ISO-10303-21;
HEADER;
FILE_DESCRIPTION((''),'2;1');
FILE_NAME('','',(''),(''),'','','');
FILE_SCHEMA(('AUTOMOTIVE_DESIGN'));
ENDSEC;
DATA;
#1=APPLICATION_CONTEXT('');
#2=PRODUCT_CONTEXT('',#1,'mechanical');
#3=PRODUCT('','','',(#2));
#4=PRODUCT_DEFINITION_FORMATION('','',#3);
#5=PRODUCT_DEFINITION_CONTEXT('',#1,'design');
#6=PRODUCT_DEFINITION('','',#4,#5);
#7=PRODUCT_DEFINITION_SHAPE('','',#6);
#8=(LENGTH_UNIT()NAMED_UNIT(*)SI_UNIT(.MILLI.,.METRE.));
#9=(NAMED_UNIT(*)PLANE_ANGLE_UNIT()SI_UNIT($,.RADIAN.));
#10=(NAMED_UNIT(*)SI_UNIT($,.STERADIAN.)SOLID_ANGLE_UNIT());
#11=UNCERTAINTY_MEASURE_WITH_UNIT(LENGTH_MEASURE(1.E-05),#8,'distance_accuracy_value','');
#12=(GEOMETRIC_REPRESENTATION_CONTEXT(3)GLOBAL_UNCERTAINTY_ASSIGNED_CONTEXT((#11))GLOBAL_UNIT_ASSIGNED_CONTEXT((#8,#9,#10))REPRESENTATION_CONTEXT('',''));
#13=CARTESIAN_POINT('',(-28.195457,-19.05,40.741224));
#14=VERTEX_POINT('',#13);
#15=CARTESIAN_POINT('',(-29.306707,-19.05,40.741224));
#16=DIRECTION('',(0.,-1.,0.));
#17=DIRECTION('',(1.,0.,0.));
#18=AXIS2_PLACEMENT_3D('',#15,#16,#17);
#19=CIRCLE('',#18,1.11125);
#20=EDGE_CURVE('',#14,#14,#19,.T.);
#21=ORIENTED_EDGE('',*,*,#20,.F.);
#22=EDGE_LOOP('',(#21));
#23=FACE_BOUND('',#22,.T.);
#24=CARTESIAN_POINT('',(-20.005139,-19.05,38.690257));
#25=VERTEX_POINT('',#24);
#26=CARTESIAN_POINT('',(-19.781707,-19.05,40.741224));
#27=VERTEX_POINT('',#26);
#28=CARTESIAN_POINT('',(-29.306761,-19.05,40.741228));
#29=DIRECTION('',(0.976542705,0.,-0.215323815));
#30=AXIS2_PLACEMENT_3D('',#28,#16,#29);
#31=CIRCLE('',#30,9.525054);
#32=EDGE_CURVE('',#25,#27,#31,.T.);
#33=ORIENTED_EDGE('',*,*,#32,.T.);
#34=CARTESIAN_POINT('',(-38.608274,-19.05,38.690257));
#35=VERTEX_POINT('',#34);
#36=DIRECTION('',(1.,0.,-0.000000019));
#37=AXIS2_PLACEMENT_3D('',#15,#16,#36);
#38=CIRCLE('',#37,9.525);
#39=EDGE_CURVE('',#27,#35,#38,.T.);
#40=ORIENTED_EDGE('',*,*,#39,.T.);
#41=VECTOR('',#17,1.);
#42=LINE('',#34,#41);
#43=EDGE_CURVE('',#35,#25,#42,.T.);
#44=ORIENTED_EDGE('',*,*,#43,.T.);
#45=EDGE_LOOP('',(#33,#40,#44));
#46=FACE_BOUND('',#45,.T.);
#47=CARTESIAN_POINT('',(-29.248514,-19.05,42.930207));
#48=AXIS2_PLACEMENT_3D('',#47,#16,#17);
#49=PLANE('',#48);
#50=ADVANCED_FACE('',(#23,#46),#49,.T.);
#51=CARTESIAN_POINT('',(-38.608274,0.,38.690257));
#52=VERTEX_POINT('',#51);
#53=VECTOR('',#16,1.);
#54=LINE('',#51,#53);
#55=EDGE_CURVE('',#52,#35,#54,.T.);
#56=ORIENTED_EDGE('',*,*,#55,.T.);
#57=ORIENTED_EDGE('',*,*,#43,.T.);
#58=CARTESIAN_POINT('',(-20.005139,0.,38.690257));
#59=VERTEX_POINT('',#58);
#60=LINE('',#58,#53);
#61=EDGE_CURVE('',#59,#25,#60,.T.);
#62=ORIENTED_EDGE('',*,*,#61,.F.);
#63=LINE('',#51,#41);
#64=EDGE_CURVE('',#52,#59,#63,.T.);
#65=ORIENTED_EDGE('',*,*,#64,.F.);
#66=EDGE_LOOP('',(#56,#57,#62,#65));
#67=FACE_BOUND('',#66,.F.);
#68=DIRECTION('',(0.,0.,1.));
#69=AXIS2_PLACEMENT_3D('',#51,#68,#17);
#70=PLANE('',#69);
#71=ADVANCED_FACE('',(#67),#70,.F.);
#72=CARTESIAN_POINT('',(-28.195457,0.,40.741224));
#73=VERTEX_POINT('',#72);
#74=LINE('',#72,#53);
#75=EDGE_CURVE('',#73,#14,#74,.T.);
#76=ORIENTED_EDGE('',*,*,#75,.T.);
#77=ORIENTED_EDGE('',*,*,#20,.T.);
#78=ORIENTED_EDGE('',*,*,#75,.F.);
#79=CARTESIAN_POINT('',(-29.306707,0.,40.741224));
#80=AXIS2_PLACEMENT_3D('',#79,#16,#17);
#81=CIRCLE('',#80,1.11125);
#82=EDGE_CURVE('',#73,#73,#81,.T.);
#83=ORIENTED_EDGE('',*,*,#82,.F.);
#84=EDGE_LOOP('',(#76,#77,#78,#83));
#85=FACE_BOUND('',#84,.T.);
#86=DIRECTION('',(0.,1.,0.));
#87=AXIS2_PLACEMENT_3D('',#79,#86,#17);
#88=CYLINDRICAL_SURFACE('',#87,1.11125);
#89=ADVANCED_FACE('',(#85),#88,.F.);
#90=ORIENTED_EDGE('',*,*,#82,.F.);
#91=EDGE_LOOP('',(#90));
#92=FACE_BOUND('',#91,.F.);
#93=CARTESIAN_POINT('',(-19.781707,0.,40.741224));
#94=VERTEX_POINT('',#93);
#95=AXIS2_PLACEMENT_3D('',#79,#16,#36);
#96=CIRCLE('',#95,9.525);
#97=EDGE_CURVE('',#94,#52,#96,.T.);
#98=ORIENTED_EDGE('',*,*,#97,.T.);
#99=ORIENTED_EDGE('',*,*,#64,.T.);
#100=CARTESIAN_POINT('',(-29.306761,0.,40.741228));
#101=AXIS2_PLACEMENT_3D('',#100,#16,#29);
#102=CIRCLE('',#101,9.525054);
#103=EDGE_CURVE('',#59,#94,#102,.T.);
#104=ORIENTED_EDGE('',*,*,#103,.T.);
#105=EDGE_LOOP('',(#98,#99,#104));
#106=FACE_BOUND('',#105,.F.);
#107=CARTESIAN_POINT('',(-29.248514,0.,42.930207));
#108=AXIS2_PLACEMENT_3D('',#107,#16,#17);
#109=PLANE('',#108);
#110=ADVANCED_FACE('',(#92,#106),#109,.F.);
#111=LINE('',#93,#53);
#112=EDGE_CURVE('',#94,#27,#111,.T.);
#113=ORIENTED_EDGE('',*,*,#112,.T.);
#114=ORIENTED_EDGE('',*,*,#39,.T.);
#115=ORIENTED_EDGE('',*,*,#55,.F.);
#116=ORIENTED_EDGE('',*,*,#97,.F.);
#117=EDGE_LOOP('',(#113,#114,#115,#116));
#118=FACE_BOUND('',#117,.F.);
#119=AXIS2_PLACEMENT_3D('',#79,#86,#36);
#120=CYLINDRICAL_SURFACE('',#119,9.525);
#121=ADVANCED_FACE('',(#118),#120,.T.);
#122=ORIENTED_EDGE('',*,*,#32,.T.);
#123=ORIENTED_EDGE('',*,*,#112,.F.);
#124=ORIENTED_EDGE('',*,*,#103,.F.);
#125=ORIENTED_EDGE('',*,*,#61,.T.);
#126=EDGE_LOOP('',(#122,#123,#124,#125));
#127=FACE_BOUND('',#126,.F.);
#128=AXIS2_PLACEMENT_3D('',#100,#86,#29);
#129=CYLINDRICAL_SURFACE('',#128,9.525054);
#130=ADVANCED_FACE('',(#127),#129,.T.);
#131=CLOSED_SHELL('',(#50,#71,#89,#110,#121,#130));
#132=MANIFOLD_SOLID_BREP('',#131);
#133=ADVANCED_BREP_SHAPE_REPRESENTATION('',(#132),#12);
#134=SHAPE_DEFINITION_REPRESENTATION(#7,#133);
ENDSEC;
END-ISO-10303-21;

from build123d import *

# Parameters (mm, degrees)
F0_R     = 1.11125
F1_DEPTH = 19.05


with BuildPart() as f1:
    # F0 (on Front) → F1 (new body)
    with BuildSketch(Plane.XZ):
        with BuildLine():
            ThreePointArc((-20.005139, 38.690257), (-19.83773, 39.709673), (-19.781707, 40.741224))
            ThreePointArc((-19.781707, 40.741224), (-30.338258, 50.210201), (-38.608274, 38.690257))
            Line((-38.608274, 38.690257), (-20.005139, 38.690257))
        make_face()
        with Locations((-29.306707, 40.741224)):
            Circle(F0_R, mode=Mode.SUBTRACT)
    extrude(amount=F1_DEPTH)


solid = f1.part
